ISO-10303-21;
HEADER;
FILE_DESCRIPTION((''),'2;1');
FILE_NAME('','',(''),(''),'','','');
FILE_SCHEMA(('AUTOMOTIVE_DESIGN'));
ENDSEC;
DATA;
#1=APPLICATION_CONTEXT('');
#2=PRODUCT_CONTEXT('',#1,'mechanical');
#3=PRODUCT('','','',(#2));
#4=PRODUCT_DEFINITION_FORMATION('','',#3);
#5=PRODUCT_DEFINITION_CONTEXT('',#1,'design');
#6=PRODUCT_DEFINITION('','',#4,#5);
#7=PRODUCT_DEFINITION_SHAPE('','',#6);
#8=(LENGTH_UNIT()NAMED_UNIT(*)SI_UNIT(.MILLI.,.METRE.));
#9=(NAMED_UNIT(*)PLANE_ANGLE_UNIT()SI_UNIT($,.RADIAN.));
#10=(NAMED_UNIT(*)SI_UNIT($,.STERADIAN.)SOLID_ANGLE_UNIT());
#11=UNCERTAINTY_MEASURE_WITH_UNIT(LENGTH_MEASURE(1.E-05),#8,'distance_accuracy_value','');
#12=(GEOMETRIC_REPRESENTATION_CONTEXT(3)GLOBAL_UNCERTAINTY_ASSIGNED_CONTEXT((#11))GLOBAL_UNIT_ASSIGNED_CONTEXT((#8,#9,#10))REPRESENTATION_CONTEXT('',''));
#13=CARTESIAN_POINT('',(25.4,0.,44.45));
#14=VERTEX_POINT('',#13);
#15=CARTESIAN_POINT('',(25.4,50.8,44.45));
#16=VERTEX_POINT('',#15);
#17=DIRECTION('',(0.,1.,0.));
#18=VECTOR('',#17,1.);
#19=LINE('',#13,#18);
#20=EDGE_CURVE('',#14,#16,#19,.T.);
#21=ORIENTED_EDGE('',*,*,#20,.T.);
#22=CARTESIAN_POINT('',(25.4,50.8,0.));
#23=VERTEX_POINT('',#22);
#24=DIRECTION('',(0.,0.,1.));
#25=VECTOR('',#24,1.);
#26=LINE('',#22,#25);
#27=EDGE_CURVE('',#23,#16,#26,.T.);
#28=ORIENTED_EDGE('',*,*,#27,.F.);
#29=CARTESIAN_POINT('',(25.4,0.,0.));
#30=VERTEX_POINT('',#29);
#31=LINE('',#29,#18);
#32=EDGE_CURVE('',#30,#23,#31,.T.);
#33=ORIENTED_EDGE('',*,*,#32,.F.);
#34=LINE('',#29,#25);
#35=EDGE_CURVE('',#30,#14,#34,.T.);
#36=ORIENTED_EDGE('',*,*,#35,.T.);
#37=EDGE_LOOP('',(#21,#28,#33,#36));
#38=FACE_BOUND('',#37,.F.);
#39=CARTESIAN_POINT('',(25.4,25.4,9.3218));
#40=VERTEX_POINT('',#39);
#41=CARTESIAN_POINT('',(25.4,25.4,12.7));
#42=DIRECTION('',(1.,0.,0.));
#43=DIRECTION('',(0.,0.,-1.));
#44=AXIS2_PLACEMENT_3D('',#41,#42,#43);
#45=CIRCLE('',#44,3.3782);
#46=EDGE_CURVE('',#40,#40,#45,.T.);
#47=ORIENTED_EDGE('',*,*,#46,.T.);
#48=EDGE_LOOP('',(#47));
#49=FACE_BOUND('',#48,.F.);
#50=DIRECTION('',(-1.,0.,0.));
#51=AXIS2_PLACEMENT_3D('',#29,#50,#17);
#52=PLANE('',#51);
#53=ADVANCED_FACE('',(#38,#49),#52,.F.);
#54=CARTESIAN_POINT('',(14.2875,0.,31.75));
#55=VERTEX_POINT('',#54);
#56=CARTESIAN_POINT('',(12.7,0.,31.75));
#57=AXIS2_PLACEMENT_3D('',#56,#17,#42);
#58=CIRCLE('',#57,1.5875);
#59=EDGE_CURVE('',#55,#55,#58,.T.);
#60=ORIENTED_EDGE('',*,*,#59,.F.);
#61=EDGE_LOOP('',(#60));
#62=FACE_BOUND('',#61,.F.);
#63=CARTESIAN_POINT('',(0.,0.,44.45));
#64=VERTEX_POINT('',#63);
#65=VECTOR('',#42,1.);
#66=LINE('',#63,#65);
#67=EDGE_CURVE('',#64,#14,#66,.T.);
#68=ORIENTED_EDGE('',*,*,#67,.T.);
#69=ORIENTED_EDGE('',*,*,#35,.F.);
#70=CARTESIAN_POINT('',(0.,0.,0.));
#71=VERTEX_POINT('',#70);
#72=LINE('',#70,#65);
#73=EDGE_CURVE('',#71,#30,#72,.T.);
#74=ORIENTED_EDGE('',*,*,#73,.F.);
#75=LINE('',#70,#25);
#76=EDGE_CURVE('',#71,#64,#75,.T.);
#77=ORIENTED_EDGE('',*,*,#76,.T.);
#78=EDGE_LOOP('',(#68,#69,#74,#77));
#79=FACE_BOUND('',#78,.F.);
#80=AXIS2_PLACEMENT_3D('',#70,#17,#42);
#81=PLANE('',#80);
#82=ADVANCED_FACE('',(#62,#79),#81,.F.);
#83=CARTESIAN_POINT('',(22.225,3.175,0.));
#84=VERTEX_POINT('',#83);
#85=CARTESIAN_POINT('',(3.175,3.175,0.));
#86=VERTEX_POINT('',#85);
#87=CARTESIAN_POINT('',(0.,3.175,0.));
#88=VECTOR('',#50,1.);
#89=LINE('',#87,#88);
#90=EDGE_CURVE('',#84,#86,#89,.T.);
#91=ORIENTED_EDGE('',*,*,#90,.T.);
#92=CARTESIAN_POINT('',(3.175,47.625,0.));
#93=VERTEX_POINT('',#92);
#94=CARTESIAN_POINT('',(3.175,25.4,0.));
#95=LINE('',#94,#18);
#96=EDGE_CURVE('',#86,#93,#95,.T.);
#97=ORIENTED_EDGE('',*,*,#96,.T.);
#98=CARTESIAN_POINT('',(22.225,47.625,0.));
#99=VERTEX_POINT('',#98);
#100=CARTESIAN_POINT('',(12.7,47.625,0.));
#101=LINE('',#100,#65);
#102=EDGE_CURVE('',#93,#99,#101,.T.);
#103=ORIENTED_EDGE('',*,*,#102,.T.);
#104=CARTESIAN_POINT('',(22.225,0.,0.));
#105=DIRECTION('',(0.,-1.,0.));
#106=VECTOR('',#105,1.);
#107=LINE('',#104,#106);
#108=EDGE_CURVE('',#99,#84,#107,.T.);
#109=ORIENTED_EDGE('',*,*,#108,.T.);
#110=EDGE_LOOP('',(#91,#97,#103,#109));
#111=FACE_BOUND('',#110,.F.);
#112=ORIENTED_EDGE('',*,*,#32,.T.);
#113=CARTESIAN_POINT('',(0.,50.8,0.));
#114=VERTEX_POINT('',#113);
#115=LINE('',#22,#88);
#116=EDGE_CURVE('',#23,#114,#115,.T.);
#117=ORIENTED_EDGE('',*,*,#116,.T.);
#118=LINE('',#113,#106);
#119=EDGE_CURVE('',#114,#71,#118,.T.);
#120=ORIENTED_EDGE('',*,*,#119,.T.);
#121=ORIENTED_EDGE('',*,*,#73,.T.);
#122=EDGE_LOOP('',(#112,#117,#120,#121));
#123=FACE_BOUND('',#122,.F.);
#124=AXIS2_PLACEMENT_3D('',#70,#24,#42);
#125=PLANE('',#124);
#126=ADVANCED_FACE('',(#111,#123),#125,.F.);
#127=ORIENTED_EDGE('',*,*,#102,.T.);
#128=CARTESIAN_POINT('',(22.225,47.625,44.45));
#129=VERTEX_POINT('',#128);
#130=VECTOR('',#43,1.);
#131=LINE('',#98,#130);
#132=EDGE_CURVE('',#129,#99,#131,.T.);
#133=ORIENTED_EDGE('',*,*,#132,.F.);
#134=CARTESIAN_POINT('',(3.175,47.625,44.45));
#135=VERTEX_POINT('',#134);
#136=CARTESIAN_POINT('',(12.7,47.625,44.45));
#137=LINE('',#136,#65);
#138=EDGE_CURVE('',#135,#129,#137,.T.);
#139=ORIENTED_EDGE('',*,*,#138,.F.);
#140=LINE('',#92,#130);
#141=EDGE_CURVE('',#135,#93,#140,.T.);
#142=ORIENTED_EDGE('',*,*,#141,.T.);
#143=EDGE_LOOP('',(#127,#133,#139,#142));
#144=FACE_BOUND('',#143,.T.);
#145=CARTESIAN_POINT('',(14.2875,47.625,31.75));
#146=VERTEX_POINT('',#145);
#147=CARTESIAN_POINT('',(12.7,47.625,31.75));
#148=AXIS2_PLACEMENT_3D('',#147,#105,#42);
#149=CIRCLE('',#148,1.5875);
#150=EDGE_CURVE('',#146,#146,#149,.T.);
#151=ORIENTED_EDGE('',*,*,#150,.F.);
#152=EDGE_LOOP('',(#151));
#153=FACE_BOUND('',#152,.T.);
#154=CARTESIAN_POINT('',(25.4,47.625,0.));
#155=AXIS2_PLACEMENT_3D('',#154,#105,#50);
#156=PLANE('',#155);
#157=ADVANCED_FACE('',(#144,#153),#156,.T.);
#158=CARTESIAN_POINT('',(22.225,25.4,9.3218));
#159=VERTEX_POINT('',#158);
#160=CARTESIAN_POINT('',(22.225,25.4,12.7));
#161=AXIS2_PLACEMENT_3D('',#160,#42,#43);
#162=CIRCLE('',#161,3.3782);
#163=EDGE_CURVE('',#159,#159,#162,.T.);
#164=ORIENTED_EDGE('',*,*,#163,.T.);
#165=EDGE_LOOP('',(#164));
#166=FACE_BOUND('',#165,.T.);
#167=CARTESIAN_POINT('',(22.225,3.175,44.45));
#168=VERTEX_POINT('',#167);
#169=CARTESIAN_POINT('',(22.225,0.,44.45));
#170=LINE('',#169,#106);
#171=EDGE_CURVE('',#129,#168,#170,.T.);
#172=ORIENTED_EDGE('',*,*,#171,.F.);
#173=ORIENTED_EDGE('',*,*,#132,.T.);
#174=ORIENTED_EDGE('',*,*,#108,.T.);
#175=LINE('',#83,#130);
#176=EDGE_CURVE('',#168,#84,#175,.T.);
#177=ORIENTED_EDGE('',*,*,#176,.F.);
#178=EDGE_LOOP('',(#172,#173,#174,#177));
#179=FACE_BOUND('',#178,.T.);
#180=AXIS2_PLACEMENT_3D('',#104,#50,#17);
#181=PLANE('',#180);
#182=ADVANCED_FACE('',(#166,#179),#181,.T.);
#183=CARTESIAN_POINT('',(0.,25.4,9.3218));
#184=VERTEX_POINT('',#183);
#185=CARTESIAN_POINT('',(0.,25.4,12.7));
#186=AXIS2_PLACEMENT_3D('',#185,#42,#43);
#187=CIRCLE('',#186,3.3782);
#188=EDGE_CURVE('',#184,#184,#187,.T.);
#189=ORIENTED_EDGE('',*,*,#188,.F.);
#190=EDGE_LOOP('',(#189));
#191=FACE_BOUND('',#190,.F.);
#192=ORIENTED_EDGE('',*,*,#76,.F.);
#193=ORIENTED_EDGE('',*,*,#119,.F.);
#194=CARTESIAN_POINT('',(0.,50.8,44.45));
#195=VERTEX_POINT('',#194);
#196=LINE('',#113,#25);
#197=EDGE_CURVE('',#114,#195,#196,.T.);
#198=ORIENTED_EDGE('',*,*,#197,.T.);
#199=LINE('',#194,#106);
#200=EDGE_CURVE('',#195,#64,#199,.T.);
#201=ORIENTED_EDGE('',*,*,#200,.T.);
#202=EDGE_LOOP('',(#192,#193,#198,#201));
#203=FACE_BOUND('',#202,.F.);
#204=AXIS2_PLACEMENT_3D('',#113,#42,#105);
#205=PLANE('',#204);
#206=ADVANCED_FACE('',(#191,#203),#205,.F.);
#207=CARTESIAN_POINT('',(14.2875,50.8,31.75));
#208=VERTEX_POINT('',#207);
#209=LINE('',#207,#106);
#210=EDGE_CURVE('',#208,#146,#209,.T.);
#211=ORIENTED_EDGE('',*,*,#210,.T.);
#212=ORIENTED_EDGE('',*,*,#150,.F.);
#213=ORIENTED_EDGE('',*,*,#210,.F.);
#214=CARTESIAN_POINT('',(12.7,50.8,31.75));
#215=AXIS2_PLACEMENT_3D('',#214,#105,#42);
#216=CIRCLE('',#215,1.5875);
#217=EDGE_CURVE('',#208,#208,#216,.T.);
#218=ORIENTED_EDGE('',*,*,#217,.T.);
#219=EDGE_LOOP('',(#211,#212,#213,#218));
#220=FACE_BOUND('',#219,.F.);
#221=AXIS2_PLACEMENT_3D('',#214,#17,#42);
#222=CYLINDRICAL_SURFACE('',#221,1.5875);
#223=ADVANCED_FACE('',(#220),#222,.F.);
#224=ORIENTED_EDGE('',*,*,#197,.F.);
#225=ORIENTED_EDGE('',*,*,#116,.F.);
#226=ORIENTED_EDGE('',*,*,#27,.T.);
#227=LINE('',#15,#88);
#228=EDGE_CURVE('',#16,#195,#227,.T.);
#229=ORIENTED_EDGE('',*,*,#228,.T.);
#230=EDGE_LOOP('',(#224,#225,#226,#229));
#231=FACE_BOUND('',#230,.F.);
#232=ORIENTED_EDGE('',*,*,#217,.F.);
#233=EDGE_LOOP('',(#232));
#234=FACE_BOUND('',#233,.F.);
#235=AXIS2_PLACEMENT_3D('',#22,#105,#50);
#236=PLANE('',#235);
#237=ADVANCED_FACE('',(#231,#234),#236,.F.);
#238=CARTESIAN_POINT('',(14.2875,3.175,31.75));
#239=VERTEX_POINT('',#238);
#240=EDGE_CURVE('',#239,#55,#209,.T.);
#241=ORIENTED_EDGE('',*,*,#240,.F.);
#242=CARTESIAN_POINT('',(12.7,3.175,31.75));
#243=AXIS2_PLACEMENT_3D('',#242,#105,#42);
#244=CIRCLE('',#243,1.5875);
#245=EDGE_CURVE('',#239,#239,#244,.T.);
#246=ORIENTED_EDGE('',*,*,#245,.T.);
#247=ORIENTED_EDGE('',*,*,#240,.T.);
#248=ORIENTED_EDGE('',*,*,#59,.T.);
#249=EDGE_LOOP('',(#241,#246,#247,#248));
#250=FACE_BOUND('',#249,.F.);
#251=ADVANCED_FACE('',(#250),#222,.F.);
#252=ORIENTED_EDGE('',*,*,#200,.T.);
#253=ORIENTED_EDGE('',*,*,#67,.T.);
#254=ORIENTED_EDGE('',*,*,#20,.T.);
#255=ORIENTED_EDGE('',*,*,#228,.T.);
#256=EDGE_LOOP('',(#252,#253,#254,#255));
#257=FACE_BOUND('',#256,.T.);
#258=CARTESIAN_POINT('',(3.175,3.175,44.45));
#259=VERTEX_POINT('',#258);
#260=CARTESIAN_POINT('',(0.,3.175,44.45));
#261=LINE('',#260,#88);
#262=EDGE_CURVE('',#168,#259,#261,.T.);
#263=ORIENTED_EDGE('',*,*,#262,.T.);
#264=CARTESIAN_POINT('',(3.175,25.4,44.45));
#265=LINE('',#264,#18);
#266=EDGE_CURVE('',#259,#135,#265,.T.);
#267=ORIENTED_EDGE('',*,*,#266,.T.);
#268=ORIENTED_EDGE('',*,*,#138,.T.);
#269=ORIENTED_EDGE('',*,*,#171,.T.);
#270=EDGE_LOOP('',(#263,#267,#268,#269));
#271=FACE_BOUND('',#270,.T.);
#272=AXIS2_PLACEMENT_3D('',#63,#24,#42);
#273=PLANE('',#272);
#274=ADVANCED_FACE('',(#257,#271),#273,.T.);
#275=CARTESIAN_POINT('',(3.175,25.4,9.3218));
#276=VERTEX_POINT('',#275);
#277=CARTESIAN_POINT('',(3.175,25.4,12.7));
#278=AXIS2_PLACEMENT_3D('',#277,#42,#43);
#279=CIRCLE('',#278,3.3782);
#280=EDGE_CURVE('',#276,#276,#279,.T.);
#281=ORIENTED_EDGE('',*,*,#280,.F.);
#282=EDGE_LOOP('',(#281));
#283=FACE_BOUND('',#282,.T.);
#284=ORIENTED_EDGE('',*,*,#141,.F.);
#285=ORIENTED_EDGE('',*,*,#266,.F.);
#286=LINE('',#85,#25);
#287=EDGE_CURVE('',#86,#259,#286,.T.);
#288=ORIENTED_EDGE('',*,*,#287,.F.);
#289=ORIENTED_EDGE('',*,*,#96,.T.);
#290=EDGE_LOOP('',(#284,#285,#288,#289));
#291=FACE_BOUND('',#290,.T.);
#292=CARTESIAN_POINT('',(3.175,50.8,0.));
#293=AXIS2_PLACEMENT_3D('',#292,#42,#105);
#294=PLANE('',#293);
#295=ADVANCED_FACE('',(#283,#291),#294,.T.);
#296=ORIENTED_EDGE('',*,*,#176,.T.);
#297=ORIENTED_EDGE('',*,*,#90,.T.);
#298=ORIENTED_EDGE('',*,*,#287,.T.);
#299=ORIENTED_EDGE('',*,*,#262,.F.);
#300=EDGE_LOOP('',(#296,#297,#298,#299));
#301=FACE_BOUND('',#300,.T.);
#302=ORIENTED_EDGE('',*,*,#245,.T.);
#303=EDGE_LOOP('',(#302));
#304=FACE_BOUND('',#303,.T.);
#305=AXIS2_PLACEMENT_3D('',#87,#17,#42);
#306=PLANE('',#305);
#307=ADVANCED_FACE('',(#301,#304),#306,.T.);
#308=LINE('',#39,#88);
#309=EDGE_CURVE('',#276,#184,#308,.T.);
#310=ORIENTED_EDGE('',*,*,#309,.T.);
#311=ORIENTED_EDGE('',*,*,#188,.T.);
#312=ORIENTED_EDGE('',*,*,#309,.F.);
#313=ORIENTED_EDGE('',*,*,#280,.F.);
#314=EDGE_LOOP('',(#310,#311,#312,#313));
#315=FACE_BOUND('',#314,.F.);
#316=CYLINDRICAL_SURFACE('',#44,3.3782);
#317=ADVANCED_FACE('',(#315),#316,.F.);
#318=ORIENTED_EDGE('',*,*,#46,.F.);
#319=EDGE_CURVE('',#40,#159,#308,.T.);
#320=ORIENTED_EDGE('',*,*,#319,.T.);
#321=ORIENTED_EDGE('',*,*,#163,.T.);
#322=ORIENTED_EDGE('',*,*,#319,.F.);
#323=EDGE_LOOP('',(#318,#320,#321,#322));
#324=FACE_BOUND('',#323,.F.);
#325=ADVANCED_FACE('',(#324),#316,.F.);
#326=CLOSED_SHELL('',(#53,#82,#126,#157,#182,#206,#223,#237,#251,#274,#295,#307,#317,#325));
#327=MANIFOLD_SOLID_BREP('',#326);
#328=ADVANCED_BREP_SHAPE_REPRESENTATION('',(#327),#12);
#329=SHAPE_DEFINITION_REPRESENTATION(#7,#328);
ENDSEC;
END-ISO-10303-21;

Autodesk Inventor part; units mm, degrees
ref_plane "YZ Plane" through (0, 0, 0) normal (1, 0, 0) x (0, 1, 0)
ref_plane "XZ Plane" through (0, 0, 0) normal (0, 1, 0) x (-1, 0, 0)
ref_plane "XY Plane" through (0, 0, 0) normal (0, 0, 1) x (1, 0, 0)
sketch "Sketch1" plane through (0, 0, 0) normal (0, 0, 1) x (1, 0, 0)
  line L0 (0, 0) -> (25.4, 0)
  line L1 (25.4, 0) -> (25.4, 50.8)
  line L2 (25.4, 50.8) -> (0, 50.8)
  line L3 (0, 50.8) -> (0, 0)
  dimension "d0" = 25.4
  dimension "d1" = 50.8
extrude "Extrusion1" add sketch "Sketch1" along normal blind 44.45
shell "Shell2" thickness 3.175 removed faces 2 at (8.4667, 16.9333, 0) at (8.4667, 16.9333, 44.45)
sketch "Sketch2" plane through (25.4, 0, 0) normal (1, 0, 0) x (0, 0, -1)
  circle A0 centre (-12.7, 25.4) radius 3.3782
  line L0 (0, 0) -> (0, 50.8) projected
  line L1 (0, 50.8) -> (-44.45, 50.8) projected
  dimension "d6" = 12.7
  dimension "d7" = 6.7564
  dimension "d8" = 25.4
extrude "Extrusion2" cut sketch "Sketch2" against normal blind 63.5
sketch "Sketch3" plane through (0, 50.8, 0) normal (0, 1, 0) x (1, 0, 0)
  line L0 (25.4, -44.45) -> (0, -44.45) projected
  line L1 (12.7, -44.45) -> (12.7, -31.75)
  circle A0 centre (12.7, -31.75) radius 1.5875
  point P0 (0, 0)
  dimension "d11" = 12.7
  dimension "d12" = 3.175
extrude "Extrusion3" cut sketch "Sketch3" against normal blind 63.5
properties part number "bumper beam" material "Aluminum 6061"
